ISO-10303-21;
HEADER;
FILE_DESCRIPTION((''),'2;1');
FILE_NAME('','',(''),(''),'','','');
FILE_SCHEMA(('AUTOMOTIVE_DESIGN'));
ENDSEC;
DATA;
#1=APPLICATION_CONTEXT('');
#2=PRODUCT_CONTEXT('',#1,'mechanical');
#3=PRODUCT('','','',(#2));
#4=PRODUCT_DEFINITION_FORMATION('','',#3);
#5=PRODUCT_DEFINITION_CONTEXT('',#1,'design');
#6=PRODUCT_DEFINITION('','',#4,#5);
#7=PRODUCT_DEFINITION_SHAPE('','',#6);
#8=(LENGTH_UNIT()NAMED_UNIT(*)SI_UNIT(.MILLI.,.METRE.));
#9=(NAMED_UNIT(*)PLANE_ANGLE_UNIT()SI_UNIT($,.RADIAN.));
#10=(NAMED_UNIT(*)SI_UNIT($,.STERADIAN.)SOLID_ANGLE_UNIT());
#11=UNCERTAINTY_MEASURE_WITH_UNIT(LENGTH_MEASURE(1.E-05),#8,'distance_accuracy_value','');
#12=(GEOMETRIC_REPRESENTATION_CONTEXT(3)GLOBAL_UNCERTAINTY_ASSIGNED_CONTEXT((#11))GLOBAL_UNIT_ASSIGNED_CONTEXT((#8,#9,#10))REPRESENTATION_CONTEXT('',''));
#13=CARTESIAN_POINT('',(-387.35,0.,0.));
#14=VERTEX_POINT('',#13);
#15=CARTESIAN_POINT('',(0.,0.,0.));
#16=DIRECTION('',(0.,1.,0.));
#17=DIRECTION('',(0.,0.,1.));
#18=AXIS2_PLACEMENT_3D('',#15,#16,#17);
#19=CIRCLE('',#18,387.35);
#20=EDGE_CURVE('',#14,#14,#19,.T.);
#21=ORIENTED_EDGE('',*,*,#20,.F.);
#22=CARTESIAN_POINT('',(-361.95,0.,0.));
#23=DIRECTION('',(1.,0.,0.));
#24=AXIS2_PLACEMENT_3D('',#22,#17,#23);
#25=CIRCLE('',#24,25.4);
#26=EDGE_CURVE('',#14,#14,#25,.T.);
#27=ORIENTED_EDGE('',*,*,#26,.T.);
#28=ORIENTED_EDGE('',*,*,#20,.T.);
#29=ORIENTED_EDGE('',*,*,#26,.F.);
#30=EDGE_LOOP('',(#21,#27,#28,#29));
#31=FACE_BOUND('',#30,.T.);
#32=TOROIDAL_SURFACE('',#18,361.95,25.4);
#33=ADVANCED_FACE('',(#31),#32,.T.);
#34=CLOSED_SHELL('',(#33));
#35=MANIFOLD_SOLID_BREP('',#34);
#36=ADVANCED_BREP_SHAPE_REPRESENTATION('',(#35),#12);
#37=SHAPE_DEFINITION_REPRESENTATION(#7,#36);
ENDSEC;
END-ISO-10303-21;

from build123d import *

# Parameters (mm, degrees)
SKETCH2_R = 25.4


with BuildPart() as part:
    # Sweep1: sweep along a path in Sketch1
    with BuildLine(Plane(origin=(0, 0, 0), x_dir=(1, 0, 0), z_dir=(0, 1, 0))) as sweep1_path:
        CenterArc((0, 0), 361.95, 0, 360)
    # Sketch2 → Sweep1 (sweep)
    with BuildSketch(Plane.XY):
        with Locations((-361.95, 0)):
            Circle(SKETCH2_R)
    sweep(path=sweep1_path.line)


solid = part.part
